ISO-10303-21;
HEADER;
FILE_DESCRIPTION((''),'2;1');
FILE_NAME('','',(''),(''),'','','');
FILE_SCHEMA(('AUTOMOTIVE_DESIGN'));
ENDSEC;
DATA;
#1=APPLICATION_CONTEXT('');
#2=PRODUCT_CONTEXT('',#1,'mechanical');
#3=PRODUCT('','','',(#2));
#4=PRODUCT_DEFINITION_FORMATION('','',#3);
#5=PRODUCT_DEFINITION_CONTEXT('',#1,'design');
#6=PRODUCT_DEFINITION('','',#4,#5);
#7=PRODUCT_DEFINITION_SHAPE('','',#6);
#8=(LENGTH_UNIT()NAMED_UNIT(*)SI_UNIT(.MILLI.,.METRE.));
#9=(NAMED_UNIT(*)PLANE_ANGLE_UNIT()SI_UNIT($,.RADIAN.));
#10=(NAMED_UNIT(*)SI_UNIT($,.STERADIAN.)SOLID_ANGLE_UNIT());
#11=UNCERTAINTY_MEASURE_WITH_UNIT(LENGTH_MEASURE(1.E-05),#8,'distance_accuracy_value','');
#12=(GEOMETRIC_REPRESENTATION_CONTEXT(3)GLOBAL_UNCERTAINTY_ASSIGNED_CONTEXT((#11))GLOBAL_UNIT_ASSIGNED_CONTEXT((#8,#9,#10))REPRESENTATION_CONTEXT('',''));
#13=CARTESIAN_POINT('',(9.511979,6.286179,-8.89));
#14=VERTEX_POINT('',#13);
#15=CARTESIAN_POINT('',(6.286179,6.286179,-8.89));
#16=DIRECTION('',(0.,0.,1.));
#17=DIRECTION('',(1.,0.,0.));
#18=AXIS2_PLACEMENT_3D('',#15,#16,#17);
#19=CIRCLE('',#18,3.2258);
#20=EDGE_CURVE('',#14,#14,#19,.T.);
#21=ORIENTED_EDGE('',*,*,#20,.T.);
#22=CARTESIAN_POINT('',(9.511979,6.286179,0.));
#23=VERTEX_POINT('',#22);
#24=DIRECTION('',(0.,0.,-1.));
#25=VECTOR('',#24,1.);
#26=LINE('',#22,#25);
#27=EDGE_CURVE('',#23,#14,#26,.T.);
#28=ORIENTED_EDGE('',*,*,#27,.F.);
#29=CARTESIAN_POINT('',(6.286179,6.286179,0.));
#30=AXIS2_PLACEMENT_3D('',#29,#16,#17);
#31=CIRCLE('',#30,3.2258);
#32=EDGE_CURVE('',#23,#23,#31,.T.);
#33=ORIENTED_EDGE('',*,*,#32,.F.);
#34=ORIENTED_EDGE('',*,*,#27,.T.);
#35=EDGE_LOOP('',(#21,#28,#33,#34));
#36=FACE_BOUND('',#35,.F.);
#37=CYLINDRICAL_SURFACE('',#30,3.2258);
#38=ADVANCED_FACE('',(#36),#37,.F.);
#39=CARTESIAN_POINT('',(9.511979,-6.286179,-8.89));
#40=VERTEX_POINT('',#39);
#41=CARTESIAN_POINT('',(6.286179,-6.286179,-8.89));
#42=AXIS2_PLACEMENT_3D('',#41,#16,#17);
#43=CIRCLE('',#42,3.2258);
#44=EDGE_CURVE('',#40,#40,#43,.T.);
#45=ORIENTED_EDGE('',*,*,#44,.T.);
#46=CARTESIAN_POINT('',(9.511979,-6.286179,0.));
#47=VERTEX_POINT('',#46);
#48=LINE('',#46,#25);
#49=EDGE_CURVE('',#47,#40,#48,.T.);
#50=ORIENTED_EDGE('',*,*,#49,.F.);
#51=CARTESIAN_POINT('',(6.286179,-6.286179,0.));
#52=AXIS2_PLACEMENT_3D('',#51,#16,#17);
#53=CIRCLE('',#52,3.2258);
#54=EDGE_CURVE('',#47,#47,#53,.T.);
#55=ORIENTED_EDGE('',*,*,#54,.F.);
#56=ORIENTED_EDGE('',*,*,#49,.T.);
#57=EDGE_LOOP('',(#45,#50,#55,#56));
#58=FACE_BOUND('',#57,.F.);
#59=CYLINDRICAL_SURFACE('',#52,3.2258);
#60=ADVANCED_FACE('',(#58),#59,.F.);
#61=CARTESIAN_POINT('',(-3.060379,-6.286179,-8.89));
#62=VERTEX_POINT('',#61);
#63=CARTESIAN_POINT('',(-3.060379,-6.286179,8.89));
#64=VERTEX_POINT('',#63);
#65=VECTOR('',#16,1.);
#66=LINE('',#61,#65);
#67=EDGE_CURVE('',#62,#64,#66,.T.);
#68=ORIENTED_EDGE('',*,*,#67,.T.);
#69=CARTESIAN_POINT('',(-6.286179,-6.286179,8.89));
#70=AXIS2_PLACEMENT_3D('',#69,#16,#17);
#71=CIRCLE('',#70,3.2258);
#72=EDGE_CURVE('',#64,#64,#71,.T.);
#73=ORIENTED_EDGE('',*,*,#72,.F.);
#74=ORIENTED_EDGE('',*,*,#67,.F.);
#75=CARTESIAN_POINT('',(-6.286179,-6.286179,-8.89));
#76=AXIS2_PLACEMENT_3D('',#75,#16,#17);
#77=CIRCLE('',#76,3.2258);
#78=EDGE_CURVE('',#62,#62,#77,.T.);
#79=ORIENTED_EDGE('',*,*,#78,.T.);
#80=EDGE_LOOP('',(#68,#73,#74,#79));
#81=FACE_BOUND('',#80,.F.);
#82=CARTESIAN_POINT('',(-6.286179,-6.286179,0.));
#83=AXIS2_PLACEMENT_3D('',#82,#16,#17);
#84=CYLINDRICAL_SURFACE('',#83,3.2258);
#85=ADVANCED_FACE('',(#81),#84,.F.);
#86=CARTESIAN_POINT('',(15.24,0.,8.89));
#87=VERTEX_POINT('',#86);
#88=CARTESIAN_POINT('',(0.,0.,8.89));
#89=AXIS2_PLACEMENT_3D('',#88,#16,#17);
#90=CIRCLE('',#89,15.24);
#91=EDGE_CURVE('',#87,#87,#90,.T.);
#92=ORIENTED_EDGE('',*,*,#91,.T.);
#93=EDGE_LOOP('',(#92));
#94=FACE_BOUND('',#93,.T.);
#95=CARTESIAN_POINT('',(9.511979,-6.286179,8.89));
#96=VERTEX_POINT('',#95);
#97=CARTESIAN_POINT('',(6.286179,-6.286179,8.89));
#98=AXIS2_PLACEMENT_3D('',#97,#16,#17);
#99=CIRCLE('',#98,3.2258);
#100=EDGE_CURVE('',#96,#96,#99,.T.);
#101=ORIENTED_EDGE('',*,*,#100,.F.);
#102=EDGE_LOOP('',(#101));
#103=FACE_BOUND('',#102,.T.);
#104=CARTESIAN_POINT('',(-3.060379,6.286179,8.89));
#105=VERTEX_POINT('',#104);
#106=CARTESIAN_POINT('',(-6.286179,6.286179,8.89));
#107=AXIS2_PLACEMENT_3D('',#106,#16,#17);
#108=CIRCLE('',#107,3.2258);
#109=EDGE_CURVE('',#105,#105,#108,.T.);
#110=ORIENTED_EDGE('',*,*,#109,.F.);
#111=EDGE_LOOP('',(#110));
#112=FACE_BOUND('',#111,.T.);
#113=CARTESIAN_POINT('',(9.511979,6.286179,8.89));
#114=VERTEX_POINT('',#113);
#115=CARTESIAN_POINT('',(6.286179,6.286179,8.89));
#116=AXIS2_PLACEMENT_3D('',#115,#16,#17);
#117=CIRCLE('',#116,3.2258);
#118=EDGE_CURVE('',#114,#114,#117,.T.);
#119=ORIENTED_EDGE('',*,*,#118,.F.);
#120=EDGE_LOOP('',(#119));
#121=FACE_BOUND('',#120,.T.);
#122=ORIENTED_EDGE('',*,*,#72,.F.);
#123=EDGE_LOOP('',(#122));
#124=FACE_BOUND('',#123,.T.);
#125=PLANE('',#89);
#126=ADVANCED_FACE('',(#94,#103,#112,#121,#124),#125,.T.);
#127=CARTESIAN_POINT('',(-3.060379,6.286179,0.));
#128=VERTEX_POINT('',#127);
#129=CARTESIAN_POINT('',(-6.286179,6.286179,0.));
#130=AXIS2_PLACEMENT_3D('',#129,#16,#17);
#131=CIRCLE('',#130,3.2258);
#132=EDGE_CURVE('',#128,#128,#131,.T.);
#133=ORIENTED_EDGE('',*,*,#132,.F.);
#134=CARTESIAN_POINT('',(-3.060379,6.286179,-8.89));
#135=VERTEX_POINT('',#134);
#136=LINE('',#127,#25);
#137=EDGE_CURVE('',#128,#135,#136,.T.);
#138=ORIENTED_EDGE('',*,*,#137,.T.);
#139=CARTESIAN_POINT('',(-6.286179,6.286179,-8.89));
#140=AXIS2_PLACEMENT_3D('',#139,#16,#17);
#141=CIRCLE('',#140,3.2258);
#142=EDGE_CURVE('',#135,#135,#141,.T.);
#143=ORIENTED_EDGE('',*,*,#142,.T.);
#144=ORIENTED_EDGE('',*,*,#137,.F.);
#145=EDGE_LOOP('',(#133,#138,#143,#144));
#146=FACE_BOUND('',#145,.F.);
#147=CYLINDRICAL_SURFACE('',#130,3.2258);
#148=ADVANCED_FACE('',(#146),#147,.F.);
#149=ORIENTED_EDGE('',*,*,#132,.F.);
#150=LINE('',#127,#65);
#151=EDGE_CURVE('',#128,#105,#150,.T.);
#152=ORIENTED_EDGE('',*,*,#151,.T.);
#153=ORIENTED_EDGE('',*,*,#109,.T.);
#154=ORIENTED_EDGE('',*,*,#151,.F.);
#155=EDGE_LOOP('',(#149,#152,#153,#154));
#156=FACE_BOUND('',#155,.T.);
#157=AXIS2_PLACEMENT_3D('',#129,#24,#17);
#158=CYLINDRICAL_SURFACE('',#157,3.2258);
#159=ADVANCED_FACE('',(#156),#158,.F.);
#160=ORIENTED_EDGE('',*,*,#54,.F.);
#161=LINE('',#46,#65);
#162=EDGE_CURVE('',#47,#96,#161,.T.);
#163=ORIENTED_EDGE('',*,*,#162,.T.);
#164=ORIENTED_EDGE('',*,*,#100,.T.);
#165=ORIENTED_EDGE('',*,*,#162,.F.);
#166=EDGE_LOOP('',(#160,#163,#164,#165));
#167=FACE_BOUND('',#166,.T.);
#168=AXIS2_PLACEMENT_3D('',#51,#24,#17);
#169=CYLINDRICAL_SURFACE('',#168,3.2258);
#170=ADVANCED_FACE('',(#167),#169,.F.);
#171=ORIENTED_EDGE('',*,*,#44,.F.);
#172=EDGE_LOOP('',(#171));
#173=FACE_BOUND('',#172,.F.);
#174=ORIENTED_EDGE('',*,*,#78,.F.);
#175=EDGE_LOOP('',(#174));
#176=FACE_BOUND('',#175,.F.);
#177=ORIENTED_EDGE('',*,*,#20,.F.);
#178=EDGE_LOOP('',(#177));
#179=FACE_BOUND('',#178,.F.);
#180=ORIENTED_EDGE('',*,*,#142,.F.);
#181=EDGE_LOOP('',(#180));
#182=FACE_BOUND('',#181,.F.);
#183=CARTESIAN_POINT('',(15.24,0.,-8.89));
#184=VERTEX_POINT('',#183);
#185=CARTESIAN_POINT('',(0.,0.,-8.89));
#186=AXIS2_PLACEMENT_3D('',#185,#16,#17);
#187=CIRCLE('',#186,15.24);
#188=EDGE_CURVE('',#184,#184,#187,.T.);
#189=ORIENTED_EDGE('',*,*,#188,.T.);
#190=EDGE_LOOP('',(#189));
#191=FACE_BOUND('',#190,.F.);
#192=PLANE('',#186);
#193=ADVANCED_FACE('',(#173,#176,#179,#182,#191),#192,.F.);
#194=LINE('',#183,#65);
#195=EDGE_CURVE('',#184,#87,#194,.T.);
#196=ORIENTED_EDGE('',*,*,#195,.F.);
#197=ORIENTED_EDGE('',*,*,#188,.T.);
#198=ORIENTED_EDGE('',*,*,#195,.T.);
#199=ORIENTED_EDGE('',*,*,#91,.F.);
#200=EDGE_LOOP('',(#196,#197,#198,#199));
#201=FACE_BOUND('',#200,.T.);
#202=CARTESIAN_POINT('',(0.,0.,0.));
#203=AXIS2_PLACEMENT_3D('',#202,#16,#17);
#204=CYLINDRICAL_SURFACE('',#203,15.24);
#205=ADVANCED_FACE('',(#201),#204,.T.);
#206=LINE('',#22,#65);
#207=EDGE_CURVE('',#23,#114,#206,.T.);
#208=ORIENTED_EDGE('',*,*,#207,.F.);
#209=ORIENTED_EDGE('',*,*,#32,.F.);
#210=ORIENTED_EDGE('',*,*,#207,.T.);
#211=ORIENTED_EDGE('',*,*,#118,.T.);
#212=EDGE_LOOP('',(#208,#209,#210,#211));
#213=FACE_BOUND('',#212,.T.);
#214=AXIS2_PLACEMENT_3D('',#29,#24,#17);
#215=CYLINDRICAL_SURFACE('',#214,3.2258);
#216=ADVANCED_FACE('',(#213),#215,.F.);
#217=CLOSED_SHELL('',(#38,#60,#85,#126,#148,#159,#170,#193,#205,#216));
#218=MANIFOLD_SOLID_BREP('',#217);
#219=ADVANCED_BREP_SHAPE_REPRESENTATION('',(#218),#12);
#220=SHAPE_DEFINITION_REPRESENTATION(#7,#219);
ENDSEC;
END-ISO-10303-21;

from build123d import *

# Parameters (mm, degrees)
F0_R     = 15.24
F2_DEPTH = 8.89
F1_R     = 3.2258
F3_DEPTH = 8.89


with BuildPart() as f2:
    # F0 (on Top) → F2 (new body, symmetric)
    with BuildSketch(Plane.XY):
        Circle(F0_R)
    extrude(amount=F2_DEPTH, both=True)

    # F1 (on face) → F3 (cut, symmetric)
    with BuildSketch(Plane.XY):
        with Locations((6.286179, 6.286179)):
            Circle(F1_R)
        with Locations((-6.286179, 6.286179)):
            Circle(F1_R)
        with Locations((6.286179, -6.286179)):
            Circle(F1_R)
        with Locations((-6.286179, -6.286179)):
            Circle(F1_R)
    extrude(amount=F3_DEPTH, both=True, mode=Mode.SUBTRACT)


solid = f2.part
